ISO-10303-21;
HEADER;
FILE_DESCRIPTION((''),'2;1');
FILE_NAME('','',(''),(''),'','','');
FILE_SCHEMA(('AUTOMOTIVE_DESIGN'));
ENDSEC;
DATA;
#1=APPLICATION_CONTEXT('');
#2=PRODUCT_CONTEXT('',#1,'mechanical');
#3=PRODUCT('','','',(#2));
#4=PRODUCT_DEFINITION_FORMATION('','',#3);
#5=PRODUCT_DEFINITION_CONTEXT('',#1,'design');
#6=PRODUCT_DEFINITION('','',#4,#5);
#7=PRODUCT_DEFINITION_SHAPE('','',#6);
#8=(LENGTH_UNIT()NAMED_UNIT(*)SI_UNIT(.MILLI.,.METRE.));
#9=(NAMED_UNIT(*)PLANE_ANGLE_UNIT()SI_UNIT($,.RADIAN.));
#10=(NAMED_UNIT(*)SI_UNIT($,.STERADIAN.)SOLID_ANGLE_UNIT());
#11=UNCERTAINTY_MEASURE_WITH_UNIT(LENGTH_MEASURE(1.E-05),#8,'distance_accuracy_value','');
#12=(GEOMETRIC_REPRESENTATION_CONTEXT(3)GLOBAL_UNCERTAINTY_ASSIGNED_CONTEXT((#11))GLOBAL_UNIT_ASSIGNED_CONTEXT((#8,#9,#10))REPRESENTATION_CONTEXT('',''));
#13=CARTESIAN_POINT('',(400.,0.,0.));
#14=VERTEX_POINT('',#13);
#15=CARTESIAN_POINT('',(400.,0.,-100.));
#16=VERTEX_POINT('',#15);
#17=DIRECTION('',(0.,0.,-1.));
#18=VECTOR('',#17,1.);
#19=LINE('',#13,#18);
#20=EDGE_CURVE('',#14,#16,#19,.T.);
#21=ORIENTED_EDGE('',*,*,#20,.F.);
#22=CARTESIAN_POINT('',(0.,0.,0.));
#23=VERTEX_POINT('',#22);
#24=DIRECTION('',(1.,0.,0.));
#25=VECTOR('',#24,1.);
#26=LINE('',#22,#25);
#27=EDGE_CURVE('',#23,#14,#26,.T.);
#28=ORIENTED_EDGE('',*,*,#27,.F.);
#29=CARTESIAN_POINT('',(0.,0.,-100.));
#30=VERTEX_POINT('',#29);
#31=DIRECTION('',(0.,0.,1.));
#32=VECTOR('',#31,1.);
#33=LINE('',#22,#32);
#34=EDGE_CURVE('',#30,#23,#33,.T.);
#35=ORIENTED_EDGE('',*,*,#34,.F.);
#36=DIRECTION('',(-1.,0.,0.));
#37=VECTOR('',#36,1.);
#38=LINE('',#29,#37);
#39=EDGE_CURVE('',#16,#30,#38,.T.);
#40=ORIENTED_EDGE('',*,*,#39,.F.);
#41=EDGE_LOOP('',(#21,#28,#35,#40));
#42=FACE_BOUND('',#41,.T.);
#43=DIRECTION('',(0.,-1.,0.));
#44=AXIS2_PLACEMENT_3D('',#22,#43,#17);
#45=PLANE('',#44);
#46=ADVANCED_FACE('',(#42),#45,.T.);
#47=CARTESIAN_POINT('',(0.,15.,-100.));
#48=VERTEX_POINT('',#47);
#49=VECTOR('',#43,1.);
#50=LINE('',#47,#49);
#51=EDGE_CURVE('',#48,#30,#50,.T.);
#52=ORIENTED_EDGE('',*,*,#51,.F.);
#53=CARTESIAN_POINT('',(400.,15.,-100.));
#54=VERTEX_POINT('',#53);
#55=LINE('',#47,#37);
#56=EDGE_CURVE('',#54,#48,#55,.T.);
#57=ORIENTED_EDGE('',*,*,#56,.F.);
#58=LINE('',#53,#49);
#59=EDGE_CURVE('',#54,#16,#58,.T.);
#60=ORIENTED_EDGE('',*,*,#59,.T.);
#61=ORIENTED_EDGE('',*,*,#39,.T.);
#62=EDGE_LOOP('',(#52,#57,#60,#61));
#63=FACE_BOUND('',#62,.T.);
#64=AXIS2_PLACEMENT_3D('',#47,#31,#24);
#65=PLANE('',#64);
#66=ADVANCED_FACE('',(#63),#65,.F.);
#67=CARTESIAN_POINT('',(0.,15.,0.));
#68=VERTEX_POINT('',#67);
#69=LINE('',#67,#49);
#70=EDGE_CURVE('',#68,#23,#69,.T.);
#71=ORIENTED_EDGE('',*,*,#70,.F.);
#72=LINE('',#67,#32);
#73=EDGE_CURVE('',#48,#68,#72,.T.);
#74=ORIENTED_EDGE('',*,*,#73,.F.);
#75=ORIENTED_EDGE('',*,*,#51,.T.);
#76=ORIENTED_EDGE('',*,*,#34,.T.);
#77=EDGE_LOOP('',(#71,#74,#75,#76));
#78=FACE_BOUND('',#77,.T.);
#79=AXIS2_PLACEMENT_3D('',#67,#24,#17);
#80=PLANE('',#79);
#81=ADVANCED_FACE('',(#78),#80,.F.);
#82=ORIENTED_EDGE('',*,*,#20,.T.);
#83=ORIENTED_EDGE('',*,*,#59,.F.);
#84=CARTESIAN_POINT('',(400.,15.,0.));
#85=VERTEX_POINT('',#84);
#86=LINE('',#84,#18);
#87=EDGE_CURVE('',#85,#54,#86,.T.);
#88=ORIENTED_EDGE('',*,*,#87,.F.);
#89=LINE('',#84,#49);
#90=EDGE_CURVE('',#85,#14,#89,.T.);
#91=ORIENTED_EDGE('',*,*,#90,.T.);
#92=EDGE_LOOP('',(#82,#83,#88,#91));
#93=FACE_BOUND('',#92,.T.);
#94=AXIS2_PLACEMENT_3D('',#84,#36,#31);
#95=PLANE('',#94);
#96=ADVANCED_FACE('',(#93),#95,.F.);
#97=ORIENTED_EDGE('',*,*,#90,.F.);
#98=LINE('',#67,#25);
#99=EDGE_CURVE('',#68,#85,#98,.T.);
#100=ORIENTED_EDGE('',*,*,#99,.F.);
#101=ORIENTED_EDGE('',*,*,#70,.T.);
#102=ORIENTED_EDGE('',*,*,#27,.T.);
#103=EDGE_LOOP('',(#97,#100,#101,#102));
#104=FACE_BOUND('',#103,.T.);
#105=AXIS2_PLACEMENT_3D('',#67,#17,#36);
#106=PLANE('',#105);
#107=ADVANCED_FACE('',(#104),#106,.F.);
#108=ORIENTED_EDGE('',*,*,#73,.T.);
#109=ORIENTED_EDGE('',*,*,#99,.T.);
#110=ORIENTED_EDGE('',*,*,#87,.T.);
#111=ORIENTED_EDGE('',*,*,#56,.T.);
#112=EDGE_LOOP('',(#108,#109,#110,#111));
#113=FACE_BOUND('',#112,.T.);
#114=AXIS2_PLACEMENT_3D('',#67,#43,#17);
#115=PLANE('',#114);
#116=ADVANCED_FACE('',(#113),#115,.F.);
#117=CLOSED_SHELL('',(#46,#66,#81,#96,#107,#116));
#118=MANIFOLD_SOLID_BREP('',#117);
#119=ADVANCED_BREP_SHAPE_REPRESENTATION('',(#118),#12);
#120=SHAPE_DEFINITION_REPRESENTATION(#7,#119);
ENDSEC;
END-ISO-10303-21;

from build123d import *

# Parameters (mm, degrees)
ESQUISSE1_W        = 400
ESQUISSE1_H        = 100
BOSS_EXTRU_1_DEPTH = 15


with BuildPart() as part:
    # Esquisse1 → Boss.-Extru.1 (new body)
    with BuildSketch(Plane(origin=(0, 0, 0), x_dir=(1, 0, 0), z_dir=(0, 1, 0))):
        with Locations((200, 50)):
            Rectangle(ESQUISSE1_W, ESQUISSE1_H)
    extrude(amount=BOSS_EXTRU_1_DEPTH)


solid = part.part
